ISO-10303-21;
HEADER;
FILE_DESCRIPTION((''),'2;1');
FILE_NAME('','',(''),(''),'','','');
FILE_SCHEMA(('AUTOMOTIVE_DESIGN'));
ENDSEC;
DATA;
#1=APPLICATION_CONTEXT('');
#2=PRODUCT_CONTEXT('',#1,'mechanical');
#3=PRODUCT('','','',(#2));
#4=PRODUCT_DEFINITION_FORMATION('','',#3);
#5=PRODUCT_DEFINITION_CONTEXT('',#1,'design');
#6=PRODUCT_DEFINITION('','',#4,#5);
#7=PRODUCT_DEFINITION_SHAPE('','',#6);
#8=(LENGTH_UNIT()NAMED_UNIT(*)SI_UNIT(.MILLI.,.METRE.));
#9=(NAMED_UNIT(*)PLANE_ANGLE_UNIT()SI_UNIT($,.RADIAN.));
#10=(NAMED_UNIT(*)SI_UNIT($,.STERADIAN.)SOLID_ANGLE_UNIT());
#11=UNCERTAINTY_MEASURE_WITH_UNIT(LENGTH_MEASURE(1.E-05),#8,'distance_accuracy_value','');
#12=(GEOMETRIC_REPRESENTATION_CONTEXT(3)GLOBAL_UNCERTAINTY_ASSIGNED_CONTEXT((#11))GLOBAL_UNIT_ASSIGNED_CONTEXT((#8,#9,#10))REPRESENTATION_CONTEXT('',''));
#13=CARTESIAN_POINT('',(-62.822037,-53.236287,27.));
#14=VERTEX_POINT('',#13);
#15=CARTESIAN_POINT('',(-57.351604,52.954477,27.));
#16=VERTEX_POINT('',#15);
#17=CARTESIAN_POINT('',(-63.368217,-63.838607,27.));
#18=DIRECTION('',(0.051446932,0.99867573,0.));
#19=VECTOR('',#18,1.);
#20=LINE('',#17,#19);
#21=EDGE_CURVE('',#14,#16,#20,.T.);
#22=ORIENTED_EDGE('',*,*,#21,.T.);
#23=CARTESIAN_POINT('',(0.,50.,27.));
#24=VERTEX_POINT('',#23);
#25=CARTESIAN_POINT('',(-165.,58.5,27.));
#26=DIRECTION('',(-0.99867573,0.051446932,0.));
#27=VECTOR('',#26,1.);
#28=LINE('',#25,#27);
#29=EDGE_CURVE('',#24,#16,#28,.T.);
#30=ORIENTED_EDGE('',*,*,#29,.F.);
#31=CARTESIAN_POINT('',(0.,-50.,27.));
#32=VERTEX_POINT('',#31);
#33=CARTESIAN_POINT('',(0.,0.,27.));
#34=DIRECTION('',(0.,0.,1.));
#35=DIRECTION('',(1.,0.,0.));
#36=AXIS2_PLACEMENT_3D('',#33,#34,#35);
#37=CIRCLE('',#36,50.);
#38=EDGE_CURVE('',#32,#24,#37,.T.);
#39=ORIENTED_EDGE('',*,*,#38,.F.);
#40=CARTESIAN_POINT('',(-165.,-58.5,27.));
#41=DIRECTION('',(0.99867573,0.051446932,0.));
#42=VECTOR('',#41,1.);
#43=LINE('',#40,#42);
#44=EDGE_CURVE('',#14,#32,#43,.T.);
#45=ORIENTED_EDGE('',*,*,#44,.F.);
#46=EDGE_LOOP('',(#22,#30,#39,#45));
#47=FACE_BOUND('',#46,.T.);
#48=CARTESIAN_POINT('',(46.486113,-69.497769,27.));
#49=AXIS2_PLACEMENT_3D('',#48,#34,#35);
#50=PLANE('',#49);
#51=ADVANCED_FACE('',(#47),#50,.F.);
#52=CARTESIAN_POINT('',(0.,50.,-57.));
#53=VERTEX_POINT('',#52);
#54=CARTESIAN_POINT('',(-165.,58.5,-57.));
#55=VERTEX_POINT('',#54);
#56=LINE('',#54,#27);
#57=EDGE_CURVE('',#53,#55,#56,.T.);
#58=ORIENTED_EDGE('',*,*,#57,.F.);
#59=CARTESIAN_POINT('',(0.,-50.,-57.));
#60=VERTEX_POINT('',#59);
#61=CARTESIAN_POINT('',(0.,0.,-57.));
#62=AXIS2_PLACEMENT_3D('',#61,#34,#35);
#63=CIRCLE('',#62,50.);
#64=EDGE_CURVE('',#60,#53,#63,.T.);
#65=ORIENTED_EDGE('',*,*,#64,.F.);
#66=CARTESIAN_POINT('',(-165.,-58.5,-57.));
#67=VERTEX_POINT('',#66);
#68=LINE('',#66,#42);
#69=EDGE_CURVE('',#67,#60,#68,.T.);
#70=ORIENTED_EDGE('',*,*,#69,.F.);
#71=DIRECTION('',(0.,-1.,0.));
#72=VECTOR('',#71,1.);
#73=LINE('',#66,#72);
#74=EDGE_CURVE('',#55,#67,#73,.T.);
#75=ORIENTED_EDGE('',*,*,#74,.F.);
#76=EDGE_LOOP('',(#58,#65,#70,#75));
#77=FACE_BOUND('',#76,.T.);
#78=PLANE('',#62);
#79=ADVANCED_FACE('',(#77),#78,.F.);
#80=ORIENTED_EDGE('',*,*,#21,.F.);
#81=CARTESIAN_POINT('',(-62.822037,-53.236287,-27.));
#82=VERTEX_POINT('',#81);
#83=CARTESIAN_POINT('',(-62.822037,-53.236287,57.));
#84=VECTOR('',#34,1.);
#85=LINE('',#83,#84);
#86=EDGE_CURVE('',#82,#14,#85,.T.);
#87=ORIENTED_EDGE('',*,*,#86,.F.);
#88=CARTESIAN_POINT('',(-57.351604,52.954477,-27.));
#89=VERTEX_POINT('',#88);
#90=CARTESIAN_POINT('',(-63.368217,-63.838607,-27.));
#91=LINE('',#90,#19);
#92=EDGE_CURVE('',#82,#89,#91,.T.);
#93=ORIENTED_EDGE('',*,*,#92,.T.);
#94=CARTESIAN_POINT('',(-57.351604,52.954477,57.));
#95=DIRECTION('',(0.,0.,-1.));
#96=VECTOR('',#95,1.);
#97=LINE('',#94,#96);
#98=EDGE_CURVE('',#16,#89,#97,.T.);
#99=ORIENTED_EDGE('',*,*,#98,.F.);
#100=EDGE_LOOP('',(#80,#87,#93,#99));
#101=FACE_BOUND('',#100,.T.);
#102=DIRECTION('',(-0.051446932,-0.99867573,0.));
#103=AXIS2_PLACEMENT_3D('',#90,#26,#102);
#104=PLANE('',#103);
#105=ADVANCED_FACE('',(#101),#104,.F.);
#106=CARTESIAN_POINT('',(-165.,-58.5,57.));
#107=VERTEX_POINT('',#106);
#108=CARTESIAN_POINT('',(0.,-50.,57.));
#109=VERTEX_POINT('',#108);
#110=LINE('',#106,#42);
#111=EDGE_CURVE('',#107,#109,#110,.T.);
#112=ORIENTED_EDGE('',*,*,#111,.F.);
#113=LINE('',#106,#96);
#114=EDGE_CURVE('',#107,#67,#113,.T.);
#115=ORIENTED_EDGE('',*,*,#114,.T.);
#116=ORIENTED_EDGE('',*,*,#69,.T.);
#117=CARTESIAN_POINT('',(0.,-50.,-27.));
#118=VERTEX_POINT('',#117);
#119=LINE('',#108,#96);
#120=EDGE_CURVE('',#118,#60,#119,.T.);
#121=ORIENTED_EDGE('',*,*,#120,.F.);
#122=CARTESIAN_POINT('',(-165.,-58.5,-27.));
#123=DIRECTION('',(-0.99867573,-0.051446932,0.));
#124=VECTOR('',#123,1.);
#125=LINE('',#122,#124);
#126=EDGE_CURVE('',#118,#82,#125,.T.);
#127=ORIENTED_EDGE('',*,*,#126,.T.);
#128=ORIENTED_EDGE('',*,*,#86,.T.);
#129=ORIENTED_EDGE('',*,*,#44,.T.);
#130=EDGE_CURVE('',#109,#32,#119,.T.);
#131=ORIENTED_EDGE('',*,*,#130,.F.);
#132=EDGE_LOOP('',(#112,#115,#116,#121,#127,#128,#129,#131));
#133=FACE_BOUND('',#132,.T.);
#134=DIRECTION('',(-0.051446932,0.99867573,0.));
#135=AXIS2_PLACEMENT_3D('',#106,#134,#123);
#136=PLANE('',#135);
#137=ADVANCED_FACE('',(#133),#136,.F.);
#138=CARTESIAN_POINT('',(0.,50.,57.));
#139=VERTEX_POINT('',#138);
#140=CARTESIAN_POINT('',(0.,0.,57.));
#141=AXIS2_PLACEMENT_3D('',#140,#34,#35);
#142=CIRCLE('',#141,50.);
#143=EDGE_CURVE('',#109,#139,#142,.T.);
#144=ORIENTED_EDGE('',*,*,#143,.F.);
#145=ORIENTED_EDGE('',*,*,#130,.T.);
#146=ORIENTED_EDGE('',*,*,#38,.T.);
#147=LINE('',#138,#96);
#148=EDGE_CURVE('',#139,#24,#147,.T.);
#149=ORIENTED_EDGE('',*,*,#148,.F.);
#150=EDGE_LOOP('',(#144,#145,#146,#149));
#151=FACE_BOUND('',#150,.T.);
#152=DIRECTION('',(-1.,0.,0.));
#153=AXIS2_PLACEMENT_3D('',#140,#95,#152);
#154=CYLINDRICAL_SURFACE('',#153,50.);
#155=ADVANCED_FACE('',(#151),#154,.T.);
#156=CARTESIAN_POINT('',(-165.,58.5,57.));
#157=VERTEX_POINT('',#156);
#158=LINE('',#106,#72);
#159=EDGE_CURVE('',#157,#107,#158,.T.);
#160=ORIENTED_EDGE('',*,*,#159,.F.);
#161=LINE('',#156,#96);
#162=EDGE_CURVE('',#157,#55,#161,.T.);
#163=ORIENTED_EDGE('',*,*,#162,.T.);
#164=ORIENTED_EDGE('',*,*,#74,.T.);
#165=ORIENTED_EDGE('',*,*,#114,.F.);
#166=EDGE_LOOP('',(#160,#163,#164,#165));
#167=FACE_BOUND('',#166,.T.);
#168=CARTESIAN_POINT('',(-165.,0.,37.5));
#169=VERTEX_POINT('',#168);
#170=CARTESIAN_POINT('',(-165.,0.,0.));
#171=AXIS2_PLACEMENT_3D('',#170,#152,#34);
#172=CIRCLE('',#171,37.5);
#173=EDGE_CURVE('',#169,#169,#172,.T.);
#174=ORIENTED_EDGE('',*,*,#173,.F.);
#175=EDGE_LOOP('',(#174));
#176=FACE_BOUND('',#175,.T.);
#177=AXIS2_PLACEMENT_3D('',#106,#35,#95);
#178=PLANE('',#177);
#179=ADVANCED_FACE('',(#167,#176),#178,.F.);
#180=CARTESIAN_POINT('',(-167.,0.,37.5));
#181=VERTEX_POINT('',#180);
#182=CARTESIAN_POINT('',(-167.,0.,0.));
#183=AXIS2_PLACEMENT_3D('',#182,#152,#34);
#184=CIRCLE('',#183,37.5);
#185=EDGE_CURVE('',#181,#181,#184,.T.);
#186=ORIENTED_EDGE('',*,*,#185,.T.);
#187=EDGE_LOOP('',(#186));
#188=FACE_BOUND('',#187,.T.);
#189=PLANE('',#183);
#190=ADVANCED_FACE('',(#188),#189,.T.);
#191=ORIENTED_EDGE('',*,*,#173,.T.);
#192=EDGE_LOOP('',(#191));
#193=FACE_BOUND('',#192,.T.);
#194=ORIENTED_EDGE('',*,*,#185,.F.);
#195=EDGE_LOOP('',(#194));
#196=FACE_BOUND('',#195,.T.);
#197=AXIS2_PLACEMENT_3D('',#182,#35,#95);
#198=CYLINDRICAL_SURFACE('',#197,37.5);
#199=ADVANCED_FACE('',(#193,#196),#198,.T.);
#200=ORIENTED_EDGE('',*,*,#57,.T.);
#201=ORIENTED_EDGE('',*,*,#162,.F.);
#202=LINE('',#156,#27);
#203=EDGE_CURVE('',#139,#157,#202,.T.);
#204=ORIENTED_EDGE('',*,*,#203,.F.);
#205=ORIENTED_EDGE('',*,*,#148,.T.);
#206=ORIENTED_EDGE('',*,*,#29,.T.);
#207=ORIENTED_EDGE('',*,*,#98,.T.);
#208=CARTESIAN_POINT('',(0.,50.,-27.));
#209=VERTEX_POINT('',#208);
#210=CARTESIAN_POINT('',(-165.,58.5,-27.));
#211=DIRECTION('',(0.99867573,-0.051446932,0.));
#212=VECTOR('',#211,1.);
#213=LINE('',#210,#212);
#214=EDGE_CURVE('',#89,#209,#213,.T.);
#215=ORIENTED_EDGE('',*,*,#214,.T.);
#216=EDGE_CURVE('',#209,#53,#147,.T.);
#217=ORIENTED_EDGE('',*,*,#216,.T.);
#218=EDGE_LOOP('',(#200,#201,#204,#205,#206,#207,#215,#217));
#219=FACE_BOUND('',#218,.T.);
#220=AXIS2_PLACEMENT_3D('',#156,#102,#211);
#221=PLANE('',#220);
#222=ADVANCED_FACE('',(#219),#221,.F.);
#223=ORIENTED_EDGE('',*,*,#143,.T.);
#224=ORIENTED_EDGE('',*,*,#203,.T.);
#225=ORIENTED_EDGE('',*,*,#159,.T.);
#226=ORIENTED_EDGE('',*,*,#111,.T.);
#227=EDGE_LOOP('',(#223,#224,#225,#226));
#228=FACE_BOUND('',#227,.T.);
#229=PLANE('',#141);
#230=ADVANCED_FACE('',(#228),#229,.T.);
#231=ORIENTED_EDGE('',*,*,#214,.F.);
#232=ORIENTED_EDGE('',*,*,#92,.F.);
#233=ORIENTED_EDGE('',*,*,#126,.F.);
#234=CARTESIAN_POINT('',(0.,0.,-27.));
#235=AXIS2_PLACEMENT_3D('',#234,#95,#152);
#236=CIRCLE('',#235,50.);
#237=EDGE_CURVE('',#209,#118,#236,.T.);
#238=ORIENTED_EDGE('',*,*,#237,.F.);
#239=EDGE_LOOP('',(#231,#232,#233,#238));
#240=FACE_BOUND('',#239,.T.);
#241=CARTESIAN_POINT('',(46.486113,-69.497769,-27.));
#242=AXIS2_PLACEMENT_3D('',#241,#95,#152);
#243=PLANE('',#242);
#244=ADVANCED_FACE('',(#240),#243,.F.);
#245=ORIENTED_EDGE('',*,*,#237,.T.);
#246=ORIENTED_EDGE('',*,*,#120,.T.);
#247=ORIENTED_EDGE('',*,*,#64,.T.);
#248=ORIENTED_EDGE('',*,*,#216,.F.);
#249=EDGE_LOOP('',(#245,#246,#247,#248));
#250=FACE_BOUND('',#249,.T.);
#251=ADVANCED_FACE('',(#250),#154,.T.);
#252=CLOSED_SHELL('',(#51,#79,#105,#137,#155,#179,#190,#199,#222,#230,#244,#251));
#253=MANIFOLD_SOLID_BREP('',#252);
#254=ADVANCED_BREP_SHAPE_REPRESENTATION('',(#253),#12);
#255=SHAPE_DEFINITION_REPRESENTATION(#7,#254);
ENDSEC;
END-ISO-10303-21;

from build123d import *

# Parameters (mm, degrees)
BOSS_EXTRUDE1_DEPTH     = 57
SKETCH2_R               = 37.5
BOSS_EXTRUDE2_DEPTH     = 2
CUT_EXTRUDE1_DEPTH      = 210.155863705
CUT_EXTRUDE1_DEPTH_BACK = 210.155863705
SKETCH3_W               = 110
SKETCH3_H               = 54


with BuildPart() as part:
    # Sketch1 → Boss-Extrude1 (new, symmetric)
    with BuildSketch(Plane.XY):
        with BuildLine():
            Line((-165, -58.5), (-165, 58.5))
            Line((-165, 58.5), (0, 50))
            ThreePointArc((0, 50), (50, 0), (0, -50))
            Line((0, -50), (-165, -58.5))
        make_face()
    extrude(amount=BOSS_EXTRUDE1_DEPTH, both=True)

    # Sketch2 → Boss-Extrude2 (add)
    with BuildSketch(Plane.ZY.offset(165)):
        Circle(SKETCH2_R)
    extrude(amount=BOSS_EXTRUDE2_DEPTH)

    # Sketch3 → Cut-Extrude1 (cut, two sides: drawn at the far end of the back side and taken through both)
    with BuildSketch(Plane(origin=(2.568940095, 49.867660662, 0), x_dir=(0.9986757297720645, -0.05144693153371229, 0), z_dir=(0.051446931533712284, 0.9986757297720644, 0)).offset(-CUT_EXTRUDE1_DEPTH_BACK)):
        with Locations((-5, 0)):
            Rectangle(SKETCH3_W, SKETCH3_H)
    extrude(amount=CUT_EXTRUDE1_DEPTH + CUT_EXTRUDE1_DEPTH_BACK, mode=Mode.SUBTRACT)


solid = part.part
